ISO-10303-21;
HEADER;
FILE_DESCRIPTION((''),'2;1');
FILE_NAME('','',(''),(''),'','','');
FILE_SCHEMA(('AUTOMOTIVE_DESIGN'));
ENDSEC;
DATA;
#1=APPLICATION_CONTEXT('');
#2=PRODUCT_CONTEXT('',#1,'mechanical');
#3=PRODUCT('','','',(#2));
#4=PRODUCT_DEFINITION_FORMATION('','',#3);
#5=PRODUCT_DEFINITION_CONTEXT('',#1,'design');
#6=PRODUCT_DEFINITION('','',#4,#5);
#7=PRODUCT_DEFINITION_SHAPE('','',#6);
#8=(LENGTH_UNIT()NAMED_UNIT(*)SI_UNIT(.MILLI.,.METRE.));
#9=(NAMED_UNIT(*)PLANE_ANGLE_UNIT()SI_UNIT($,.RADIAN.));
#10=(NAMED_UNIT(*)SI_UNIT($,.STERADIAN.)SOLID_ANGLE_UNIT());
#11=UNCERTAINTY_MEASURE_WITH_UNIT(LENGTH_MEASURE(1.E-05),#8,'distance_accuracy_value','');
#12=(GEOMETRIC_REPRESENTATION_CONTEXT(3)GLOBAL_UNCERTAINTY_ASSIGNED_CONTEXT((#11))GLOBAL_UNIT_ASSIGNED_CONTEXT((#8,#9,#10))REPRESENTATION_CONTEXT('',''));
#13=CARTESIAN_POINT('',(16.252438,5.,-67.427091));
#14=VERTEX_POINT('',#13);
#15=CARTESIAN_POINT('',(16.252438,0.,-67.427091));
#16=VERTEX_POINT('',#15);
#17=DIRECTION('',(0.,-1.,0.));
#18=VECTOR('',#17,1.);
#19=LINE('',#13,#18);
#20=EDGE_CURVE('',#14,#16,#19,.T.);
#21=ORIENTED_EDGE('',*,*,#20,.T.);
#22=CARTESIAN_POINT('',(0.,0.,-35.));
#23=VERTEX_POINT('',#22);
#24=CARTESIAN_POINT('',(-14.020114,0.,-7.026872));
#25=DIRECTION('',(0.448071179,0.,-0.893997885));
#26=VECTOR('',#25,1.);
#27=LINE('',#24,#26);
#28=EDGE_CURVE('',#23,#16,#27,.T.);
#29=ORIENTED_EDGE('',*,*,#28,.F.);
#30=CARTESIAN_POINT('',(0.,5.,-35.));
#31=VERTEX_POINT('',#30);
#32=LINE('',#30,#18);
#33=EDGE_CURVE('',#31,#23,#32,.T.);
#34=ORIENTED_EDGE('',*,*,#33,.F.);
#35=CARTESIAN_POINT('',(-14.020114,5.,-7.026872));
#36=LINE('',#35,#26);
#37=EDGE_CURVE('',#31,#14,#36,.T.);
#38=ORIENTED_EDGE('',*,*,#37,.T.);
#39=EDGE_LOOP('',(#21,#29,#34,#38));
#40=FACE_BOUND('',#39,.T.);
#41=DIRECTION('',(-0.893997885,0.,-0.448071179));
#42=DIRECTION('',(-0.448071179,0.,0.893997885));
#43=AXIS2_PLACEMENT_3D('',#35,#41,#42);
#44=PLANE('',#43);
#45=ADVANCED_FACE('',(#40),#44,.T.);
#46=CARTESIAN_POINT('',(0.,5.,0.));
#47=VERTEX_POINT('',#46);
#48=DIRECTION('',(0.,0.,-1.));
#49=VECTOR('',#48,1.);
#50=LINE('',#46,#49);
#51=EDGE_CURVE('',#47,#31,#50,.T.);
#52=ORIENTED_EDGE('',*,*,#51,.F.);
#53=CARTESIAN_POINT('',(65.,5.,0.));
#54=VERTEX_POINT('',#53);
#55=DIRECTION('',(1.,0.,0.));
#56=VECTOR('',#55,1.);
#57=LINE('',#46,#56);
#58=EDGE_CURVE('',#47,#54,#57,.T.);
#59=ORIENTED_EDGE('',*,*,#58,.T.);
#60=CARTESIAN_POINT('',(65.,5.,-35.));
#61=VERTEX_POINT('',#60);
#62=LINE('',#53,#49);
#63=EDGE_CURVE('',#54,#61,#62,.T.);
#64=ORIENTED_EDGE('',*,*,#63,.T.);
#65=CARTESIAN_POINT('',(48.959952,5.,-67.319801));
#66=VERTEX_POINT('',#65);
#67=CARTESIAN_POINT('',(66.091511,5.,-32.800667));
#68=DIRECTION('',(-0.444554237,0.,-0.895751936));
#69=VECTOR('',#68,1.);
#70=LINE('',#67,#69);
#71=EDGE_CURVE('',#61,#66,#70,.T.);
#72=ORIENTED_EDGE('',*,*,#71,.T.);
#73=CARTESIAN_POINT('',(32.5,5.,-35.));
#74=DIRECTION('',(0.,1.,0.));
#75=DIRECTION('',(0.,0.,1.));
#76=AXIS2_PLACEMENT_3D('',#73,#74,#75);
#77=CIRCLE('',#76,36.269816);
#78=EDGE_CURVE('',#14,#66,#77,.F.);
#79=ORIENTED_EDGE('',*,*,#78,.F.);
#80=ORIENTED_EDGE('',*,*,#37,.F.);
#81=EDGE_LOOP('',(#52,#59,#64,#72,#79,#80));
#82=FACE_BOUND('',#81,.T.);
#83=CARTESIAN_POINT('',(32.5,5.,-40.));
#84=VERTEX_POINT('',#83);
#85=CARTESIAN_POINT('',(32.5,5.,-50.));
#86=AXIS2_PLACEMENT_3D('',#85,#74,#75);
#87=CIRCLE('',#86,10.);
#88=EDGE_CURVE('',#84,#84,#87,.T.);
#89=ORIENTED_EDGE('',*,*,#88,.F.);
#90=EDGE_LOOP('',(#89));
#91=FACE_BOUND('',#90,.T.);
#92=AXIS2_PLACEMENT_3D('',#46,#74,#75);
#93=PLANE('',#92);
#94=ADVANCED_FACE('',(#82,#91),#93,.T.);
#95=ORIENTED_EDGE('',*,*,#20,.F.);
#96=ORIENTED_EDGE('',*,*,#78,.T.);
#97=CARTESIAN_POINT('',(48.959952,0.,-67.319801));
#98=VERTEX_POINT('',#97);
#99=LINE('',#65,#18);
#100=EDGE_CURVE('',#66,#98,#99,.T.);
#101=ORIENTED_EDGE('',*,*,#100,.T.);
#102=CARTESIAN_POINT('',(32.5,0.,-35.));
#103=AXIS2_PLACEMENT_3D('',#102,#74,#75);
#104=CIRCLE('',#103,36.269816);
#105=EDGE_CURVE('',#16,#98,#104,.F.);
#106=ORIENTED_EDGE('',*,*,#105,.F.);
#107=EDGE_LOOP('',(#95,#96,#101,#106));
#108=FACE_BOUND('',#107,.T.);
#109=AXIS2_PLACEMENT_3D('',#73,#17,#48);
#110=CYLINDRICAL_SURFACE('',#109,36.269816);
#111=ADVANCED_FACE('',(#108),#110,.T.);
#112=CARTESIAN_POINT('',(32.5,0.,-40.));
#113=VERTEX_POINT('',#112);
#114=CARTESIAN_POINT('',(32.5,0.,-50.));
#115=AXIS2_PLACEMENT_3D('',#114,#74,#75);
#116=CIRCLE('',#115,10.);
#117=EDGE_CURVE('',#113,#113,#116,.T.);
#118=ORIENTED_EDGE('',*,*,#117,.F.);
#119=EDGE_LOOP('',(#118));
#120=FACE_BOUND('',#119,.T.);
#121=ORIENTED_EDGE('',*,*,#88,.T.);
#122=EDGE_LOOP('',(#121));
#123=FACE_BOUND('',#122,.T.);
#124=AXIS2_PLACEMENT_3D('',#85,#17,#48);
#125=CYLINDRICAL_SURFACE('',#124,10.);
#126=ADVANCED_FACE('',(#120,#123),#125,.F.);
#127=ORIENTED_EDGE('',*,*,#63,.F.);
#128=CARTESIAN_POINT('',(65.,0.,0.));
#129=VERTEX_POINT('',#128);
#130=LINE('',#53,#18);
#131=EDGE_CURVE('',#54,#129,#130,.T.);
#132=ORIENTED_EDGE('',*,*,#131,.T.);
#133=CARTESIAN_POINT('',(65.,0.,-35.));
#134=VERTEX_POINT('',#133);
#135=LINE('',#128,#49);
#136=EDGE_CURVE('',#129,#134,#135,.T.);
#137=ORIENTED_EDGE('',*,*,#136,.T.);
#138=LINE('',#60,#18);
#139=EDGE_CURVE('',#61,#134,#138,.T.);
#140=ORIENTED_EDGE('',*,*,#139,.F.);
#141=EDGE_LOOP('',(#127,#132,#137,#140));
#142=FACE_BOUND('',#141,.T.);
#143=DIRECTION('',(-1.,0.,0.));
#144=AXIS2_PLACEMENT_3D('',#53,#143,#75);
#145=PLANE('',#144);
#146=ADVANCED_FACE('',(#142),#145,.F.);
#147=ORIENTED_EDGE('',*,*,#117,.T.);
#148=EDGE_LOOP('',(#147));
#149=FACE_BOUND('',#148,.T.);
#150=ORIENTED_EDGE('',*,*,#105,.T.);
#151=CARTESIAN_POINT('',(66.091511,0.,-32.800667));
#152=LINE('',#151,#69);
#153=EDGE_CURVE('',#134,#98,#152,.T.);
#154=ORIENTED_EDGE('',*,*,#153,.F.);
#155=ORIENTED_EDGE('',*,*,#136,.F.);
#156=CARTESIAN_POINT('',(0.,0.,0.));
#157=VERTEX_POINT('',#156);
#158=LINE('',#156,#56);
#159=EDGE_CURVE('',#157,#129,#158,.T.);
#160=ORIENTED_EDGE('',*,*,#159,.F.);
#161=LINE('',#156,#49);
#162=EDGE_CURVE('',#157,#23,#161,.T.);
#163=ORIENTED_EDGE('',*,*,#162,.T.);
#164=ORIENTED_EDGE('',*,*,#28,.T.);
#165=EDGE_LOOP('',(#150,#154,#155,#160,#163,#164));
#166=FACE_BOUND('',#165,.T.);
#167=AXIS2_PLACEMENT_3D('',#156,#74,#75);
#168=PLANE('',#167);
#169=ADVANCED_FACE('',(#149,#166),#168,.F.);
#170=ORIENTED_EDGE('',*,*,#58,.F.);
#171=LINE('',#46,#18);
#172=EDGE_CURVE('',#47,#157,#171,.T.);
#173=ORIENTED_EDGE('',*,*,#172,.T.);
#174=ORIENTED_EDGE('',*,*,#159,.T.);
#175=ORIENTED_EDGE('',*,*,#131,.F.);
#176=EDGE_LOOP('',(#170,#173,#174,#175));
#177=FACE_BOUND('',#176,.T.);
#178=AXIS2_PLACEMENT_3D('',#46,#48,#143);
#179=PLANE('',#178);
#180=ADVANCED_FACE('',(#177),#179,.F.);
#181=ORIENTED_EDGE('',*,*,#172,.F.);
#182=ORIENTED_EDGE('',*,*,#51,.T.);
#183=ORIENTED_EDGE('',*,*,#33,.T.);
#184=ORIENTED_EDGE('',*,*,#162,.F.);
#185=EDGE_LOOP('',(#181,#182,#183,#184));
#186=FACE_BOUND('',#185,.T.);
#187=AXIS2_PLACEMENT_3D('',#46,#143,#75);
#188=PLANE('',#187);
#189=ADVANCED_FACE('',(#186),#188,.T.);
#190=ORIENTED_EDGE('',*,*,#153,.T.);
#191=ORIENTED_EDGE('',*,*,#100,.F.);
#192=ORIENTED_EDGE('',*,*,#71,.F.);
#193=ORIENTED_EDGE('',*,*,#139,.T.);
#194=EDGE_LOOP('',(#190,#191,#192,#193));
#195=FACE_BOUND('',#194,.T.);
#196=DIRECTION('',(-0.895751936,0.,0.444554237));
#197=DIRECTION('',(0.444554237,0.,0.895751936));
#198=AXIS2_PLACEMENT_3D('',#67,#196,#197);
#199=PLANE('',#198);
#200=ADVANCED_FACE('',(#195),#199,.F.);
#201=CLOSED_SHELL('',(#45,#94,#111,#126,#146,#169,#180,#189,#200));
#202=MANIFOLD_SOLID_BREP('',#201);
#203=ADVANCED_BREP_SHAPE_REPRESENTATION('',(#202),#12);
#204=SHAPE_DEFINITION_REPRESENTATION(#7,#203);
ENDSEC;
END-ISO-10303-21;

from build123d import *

# Parameters (mm, degrees)
SKETCH1_R           = 10
BOSS_EXTRUDE1_DEPTH = 5


with BuildPart() as part:
    # Sketch1 → Boss-Extrude1 (new body)
    with BuildSketch(Plane(origin=(0, 0, 0), x_dir=(1, 0, 0), z_dir=(0, 1, 0))):
        with BuildLine():
            Line((0, 35), (0, 0))
            Line((0, 0), (65, 0))
            Line((65, 0), (65, 35))
            Line((65, 35), (48.959951679, 67.319800692))
            ThreePointArc((48.959951679, 67.319800692), (32.618975384, 71.269620496), (16.252437814, 67.427091283))
            Line((16.252437814, 67.427091283), (0, 35))
        make_face()
        with Locations(Location((32.5, 50, 0), (0, 0, 270))):
            Circle(SKETCH1_R, mode=Mode.SUBTRACT)
    extrude(amount=BOSS_EXTRUDE1_DEPTH)


solid = part.part
